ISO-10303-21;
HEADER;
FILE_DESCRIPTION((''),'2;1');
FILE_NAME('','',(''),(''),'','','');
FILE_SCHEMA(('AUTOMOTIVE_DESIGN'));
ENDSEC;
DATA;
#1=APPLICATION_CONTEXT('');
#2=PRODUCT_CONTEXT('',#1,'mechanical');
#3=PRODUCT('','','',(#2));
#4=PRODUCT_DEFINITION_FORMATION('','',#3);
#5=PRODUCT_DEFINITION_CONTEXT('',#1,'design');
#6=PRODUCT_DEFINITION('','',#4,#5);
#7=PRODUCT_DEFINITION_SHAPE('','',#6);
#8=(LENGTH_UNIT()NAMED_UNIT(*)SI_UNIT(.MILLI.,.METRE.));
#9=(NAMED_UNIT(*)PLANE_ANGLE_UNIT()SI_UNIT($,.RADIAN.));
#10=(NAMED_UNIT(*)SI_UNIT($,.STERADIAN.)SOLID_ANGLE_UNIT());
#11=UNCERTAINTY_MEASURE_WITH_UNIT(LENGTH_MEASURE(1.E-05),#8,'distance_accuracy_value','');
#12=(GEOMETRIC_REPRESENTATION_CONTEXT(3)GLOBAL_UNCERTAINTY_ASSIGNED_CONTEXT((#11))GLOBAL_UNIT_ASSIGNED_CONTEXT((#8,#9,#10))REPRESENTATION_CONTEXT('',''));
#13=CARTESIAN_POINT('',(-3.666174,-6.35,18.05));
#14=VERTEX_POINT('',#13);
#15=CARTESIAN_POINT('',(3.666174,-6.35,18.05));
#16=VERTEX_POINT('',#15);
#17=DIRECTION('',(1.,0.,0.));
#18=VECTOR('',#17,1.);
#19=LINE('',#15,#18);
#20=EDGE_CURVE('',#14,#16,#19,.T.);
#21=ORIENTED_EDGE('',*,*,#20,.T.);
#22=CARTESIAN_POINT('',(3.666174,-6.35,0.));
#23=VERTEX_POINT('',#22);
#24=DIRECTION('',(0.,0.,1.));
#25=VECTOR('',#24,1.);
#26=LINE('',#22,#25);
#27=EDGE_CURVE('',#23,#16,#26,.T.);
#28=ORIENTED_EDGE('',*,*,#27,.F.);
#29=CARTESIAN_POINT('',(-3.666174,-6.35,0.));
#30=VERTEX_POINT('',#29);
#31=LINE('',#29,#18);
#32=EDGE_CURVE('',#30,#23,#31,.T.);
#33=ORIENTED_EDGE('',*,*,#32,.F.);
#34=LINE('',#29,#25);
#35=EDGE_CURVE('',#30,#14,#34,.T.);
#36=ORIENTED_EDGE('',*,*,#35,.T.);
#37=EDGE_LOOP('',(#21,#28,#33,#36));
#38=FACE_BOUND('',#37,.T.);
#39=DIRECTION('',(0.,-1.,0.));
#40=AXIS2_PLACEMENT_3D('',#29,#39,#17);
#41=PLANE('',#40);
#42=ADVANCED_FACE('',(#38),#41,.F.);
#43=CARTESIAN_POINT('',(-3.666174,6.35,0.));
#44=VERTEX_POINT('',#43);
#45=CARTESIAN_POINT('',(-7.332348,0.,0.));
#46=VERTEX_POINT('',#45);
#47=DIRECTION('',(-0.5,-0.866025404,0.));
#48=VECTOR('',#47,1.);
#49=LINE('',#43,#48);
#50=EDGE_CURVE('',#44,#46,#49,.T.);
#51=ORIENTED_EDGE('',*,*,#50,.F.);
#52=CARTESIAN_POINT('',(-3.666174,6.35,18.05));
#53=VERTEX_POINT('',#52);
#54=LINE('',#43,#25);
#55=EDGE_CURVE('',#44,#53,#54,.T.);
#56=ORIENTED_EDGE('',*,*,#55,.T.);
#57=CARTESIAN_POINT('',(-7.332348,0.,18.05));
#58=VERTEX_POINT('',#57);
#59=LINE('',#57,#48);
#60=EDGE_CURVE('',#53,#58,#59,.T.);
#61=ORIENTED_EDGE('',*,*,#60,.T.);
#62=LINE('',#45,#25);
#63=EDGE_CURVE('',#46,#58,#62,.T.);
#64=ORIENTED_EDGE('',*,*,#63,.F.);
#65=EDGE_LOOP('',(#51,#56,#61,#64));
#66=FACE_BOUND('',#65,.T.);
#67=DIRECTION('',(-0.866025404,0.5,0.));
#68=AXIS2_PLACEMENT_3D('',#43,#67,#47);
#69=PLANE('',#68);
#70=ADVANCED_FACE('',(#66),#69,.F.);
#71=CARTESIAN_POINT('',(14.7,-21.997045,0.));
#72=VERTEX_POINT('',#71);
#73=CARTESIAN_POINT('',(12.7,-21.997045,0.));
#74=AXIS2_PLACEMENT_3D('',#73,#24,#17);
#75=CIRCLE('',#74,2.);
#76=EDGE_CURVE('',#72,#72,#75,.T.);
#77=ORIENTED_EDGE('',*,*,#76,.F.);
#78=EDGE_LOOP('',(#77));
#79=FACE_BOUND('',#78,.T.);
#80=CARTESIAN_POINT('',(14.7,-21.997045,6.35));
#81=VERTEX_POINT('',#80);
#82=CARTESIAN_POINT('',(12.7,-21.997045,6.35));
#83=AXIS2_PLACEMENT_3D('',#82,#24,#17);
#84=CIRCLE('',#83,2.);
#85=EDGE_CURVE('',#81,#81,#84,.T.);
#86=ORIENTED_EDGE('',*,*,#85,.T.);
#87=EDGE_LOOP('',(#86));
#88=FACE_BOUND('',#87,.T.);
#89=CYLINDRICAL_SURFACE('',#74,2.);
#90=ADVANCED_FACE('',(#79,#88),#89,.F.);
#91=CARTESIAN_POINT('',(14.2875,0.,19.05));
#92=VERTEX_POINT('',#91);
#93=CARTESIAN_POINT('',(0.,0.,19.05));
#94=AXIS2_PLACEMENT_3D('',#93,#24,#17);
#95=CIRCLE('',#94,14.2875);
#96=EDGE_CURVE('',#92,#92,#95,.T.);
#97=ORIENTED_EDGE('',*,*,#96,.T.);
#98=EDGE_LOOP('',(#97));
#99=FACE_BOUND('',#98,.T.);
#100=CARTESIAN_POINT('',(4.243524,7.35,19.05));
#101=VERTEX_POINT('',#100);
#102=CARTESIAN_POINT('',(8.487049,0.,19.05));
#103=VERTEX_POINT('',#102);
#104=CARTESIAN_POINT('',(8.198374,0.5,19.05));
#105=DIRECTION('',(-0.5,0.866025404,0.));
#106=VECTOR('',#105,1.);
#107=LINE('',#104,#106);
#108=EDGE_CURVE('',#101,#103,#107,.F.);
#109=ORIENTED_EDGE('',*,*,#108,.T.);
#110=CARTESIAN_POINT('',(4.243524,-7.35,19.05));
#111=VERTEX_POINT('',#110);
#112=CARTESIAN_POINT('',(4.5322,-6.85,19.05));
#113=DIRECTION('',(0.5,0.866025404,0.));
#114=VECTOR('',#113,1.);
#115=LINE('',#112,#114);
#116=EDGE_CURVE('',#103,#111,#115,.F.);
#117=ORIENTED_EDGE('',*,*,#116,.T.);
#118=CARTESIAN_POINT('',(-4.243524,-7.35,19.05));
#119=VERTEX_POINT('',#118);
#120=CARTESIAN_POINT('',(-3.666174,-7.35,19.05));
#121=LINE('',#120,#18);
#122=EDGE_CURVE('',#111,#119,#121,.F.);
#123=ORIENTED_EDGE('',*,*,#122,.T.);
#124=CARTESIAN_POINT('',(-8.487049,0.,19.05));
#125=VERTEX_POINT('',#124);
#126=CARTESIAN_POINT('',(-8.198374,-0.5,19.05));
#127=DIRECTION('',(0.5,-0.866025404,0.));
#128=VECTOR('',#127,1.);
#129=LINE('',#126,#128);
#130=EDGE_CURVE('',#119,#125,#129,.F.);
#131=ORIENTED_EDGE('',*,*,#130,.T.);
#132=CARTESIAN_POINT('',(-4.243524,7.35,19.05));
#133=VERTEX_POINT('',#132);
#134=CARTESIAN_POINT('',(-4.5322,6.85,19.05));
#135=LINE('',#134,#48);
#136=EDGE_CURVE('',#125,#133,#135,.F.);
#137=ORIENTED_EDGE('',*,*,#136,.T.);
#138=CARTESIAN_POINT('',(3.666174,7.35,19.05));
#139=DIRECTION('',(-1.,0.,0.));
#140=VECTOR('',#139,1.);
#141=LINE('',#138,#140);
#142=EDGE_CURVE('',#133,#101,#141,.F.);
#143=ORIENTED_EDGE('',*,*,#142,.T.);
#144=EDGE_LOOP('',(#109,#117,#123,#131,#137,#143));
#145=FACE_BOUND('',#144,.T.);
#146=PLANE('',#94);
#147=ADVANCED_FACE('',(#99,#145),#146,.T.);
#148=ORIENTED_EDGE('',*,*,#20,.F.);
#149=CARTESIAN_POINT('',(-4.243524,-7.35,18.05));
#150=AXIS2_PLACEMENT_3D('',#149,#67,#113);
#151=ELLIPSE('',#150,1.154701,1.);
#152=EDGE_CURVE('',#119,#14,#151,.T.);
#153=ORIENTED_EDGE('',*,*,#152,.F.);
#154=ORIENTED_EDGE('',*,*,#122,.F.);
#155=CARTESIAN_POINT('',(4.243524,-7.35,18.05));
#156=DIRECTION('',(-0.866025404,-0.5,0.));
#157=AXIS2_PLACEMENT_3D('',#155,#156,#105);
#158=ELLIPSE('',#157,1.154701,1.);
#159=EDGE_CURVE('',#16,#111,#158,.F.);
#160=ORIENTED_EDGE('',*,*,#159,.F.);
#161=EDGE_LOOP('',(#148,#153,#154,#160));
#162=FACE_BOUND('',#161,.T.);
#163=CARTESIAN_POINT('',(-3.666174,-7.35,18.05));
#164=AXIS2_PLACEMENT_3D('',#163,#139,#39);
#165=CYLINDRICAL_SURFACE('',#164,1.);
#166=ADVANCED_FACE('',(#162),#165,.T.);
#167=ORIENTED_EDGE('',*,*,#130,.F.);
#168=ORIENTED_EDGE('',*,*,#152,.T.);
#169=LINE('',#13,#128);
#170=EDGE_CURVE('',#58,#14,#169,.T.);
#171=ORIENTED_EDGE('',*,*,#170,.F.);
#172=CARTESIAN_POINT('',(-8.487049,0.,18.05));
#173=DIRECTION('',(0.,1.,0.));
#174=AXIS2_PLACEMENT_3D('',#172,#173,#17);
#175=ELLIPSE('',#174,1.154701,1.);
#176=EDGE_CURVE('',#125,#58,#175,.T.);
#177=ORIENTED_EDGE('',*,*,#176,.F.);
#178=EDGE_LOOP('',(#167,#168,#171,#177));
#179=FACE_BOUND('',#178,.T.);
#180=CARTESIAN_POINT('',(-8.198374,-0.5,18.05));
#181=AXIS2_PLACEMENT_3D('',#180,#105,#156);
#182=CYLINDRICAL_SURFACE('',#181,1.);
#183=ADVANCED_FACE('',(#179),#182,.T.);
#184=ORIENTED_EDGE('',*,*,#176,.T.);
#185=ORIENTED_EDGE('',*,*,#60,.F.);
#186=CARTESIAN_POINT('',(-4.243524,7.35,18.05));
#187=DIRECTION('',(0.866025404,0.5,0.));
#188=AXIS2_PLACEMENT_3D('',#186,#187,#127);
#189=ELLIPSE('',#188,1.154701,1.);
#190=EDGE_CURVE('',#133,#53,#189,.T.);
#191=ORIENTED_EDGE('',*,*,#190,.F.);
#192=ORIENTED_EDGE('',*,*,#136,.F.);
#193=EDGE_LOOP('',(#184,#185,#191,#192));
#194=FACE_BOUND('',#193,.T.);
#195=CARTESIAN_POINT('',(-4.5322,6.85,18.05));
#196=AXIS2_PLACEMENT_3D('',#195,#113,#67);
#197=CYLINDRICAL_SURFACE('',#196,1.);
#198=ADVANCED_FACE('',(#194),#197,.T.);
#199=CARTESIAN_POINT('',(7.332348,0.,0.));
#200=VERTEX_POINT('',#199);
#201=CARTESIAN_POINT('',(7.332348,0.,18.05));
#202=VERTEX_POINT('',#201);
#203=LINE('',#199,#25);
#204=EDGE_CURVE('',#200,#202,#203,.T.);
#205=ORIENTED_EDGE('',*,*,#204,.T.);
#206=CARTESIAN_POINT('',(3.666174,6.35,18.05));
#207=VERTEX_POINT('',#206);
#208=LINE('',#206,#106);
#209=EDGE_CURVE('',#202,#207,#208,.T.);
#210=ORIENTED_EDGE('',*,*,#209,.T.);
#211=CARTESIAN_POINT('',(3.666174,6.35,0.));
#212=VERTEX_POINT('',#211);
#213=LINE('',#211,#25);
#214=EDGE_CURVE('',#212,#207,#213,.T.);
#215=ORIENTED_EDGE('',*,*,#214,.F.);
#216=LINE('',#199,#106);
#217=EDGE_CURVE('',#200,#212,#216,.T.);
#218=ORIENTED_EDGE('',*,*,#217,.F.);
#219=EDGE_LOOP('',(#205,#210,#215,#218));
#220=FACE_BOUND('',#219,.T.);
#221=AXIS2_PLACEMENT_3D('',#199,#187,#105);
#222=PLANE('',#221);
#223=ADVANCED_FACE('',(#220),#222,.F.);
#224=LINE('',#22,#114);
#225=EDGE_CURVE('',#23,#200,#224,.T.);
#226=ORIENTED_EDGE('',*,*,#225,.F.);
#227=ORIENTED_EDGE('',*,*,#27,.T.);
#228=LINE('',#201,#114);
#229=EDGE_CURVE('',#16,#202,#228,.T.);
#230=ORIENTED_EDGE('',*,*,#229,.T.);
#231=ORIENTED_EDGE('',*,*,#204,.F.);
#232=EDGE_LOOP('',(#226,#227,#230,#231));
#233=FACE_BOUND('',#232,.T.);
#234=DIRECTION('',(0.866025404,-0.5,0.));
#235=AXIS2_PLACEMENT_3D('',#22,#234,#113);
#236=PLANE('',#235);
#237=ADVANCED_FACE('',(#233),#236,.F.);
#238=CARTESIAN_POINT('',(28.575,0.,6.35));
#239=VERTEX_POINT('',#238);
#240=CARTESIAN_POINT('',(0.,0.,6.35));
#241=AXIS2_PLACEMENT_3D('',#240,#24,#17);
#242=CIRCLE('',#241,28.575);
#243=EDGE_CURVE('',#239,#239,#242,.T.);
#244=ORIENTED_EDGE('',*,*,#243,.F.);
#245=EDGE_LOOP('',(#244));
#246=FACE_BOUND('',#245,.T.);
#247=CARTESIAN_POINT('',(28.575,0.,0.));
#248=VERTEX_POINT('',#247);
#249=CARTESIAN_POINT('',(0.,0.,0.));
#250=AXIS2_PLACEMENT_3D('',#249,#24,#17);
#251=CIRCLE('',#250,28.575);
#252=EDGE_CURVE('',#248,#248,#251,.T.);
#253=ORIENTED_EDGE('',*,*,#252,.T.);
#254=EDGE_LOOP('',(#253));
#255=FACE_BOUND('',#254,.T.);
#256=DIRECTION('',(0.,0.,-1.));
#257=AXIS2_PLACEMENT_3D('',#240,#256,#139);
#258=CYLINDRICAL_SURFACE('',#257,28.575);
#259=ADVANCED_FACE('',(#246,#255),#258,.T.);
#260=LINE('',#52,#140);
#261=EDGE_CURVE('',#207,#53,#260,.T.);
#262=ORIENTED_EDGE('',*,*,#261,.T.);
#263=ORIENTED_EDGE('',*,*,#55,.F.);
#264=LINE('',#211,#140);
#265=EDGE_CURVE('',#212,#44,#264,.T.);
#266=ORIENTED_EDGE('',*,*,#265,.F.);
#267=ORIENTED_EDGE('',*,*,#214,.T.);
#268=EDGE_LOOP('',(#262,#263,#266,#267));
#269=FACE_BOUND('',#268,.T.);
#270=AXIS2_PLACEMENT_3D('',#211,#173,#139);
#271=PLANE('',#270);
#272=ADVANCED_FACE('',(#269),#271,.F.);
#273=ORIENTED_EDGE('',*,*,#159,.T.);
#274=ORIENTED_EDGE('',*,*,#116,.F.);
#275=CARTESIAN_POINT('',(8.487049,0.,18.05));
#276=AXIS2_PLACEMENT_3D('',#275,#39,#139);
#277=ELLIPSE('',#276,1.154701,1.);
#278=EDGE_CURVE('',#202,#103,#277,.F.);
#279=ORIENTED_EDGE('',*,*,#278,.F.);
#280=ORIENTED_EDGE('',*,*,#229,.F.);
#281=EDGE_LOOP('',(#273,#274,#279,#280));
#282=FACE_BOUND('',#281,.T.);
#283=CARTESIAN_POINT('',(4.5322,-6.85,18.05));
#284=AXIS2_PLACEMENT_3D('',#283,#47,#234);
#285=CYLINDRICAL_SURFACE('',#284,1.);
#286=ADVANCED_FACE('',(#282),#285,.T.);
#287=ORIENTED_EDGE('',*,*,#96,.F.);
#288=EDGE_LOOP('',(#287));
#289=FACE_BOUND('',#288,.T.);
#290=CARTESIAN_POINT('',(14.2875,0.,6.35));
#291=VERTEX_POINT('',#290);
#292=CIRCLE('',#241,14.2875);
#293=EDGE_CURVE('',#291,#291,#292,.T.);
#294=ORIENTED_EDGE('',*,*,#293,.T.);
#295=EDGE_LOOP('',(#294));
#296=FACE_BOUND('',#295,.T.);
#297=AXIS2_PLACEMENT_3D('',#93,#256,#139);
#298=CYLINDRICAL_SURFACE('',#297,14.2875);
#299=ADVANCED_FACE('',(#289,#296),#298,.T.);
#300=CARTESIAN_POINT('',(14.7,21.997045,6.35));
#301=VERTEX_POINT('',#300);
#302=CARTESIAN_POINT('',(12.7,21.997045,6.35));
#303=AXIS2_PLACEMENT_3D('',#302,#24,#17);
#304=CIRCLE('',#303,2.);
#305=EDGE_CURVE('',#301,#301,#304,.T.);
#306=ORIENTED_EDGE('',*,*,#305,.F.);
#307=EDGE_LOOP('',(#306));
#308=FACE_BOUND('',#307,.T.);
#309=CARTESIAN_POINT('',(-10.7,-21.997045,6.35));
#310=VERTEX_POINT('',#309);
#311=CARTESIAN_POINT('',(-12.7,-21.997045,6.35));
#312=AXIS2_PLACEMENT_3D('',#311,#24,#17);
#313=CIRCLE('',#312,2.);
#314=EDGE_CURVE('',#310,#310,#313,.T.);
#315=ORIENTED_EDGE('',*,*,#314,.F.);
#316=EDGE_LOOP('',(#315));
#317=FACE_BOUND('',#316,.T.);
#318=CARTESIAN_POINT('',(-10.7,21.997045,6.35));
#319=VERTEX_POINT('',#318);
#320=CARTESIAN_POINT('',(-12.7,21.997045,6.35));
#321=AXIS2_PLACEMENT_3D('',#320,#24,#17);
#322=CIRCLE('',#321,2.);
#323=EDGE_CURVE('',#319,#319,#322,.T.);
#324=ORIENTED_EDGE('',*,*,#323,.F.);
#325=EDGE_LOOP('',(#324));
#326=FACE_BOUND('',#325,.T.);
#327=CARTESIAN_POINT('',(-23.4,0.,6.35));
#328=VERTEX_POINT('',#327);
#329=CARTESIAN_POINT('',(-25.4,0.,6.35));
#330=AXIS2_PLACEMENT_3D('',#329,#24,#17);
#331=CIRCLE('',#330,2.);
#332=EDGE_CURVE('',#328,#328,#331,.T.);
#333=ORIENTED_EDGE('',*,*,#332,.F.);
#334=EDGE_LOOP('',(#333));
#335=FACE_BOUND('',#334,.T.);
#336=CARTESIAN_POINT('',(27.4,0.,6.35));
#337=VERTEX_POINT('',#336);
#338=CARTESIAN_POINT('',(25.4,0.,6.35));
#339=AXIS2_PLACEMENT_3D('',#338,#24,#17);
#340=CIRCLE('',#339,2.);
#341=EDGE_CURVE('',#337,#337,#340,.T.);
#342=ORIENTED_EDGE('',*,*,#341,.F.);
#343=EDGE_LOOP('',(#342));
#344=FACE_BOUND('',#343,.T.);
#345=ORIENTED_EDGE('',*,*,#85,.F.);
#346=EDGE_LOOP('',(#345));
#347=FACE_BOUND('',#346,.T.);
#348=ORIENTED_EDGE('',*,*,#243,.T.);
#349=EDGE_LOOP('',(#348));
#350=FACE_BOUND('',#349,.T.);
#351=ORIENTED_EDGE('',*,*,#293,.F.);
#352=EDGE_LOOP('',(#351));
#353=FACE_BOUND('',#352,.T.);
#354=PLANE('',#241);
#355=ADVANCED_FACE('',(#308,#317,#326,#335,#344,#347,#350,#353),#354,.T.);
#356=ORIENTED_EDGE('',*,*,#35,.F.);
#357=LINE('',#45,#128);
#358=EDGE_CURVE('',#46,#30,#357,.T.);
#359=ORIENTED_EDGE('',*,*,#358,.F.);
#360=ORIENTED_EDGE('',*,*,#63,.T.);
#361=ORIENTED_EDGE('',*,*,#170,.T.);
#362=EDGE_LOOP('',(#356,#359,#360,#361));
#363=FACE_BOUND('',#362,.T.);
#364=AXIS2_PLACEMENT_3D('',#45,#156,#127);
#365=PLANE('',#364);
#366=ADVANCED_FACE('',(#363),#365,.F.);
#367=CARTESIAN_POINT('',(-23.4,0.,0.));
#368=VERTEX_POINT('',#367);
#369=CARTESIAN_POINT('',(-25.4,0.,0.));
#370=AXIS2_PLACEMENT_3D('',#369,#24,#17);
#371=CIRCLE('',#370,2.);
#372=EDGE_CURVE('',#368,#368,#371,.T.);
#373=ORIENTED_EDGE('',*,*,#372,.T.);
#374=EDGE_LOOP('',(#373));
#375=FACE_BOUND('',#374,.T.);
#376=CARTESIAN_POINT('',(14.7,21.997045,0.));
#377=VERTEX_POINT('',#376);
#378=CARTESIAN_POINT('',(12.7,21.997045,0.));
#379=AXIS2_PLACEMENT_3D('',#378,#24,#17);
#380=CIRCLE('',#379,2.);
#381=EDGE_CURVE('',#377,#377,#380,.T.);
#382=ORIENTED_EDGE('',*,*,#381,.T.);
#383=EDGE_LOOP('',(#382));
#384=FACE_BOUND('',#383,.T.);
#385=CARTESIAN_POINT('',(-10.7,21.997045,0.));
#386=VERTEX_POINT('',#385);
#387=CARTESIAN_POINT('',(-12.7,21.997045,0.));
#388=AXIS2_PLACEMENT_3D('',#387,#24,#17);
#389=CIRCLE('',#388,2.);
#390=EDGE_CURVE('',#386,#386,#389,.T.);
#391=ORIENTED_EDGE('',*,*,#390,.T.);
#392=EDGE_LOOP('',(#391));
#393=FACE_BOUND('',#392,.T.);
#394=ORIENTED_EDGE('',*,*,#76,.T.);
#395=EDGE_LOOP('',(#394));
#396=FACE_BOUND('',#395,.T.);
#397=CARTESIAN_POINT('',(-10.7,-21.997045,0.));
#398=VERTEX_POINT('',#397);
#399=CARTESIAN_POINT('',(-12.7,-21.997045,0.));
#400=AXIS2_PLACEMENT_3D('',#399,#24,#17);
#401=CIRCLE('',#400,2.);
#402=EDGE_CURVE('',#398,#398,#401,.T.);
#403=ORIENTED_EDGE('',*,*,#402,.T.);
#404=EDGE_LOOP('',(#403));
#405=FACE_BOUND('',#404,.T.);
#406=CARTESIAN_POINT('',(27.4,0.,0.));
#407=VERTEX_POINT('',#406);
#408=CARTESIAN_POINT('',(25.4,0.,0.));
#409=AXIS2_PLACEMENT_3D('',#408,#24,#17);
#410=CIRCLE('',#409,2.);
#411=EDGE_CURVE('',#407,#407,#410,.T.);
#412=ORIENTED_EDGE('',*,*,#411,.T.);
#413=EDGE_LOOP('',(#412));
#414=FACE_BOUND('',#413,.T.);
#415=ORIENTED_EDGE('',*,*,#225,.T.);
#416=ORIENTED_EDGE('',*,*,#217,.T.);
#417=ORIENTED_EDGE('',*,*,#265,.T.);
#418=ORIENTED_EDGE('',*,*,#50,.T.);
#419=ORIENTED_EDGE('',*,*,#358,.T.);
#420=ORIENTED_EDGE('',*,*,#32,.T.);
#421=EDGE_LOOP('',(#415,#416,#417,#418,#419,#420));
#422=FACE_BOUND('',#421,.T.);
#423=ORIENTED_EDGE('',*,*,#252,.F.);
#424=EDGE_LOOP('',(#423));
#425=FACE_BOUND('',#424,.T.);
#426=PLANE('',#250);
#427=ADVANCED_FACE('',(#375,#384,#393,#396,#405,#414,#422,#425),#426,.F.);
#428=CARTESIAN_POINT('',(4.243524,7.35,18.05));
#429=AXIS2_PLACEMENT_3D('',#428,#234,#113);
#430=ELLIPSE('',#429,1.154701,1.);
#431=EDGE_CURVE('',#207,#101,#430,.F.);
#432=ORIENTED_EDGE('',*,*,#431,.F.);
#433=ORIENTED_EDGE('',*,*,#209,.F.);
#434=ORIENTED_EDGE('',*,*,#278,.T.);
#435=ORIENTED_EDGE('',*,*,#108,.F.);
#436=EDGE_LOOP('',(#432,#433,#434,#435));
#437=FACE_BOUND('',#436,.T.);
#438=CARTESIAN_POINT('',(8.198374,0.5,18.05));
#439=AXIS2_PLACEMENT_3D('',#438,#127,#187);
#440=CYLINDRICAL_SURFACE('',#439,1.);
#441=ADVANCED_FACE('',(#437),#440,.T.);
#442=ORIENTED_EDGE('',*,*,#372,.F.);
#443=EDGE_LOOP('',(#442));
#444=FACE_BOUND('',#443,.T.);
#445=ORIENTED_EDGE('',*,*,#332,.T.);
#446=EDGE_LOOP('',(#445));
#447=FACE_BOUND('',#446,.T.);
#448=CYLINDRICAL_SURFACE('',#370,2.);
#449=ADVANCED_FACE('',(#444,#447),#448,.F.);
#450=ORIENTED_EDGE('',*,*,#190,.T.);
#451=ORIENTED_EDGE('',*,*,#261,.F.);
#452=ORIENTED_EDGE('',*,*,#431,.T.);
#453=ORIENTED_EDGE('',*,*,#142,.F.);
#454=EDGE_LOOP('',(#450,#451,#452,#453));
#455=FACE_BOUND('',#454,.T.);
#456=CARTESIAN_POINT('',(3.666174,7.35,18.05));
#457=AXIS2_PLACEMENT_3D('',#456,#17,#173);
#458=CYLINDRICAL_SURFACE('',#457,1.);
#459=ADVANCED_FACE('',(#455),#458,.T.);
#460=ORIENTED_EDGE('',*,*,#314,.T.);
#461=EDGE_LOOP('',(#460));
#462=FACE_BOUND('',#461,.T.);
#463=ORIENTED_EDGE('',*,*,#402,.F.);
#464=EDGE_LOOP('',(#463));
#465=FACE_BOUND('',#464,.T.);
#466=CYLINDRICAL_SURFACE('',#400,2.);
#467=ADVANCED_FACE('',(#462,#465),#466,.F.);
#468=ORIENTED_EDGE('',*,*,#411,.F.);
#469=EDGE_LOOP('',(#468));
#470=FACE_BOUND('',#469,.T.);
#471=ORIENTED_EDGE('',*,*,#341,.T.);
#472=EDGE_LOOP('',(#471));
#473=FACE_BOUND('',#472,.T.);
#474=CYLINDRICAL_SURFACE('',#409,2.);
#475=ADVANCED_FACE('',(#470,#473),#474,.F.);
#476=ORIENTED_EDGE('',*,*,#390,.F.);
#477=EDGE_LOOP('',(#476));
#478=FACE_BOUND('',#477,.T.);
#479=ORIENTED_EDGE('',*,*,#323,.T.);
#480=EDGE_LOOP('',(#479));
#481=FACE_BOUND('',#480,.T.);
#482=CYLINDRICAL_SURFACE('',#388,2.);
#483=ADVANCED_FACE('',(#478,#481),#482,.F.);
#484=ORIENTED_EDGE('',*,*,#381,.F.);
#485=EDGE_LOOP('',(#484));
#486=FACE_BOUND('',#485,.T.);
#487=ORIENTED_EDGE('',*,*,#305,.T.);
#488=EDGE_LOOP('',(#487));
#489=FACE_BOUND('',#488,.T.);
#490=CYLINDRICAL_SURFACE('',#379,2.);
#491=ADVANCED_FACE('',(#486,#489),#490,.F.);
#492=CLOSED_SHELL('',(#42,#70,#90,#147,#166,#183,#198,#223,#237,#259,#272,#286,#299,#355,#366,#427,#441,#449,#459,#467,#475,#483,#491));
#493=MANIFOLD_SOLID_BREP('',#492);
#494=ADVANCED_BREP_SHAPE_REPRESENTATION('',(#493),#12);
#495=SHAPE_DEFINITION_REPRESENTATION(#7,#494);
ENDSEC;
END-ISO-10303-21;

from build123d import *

# Parameters (mm, degrees)
SKETCH1_R           = 28.575
BOSS_EXTRUDE1_DEPTH = 6.35
SKETCH2_R           = 14.2875
BOSS_EXTRUDE2_DEPTH = 12.7
CUT_EXTRUDE1_DEPTH  = 20.05
SKETCH4_R           = 2
CUT_EXTRUDE2_DEPTH  = 7.35
FILLET1_R           = 1


with BuildPart() as part:
    # Sketch1 → Boss-Extrude1 (new body)
    with BuildSketch(Plane.XY):
        Circle(SKETCH1_R)
    extrude(amount=BOSS_EXTRUDE1_DEPTH)

    # Sketch2 → Boss-Extrude2 (add)
    with BuildSketch(Plane.XY.offset(6.35)):
        Circle(SKETCH2_R)
    extrude(amount=BOSS_EXTRUDE2_DEPTH)

    # Sketch3 → Cut-Extrude1 (cut, through all)
    with BuildSketch(Plane.XY.offset(19.05)):
        Polygon((7.332348419, 0), (3.666174209, 6.35), (-3.666174209, 6.35), (-7.332348419, 0), (-3.666174209, -6.35), (3.666174209, -6.35), align=None)
    extrude(amount=-CUT_EXTRUDE1_DEPTH, mode=Mode.SUBTRACT)

    # Sketch4 → Cut-Extrude2 (cut, through all)
    with BuildSketch(Plane.XY.offset(6.35)):
        with Locations((25.4, 0)):
            Circle(SKETCH4_R)
        with Locations((12.7, -21.997045256)):
            Circle(SKETCH4_R)
        with Locations((-12.7, -21.997045256)):
            Circle(SKETCH4_R)
        with Locations((-25.4, 0)):
            Circle(SKETCH4_R)
        with Locations((-12.7, 21.997045256)):
            Circle(SKETCH4_R)
        with Locations((12.7, 21.997045256)):
            Circle(SKETCH4_R)
    extrude(amount=-CUT_EXTRUDE2_DEPTH, mode=Mode.SUBTRACT)

    # Fillet1
    fillet1_edges = [part.edges().sort_by_distance(p)[0] for p in [
        (5.499261314, -3.175, 19.05),
        (5.499261314, 3.175, 19.05),
        (0, 6.35, 19.05),
        (-5.499261314, 3.175, 19.05),
        (-5.499261314, -3.175, 19.05),
        (0, -6.35, 19.05),
    ]]
    fillet(fillet1_edges, radius=FILLET1_R)


solid = part.part
